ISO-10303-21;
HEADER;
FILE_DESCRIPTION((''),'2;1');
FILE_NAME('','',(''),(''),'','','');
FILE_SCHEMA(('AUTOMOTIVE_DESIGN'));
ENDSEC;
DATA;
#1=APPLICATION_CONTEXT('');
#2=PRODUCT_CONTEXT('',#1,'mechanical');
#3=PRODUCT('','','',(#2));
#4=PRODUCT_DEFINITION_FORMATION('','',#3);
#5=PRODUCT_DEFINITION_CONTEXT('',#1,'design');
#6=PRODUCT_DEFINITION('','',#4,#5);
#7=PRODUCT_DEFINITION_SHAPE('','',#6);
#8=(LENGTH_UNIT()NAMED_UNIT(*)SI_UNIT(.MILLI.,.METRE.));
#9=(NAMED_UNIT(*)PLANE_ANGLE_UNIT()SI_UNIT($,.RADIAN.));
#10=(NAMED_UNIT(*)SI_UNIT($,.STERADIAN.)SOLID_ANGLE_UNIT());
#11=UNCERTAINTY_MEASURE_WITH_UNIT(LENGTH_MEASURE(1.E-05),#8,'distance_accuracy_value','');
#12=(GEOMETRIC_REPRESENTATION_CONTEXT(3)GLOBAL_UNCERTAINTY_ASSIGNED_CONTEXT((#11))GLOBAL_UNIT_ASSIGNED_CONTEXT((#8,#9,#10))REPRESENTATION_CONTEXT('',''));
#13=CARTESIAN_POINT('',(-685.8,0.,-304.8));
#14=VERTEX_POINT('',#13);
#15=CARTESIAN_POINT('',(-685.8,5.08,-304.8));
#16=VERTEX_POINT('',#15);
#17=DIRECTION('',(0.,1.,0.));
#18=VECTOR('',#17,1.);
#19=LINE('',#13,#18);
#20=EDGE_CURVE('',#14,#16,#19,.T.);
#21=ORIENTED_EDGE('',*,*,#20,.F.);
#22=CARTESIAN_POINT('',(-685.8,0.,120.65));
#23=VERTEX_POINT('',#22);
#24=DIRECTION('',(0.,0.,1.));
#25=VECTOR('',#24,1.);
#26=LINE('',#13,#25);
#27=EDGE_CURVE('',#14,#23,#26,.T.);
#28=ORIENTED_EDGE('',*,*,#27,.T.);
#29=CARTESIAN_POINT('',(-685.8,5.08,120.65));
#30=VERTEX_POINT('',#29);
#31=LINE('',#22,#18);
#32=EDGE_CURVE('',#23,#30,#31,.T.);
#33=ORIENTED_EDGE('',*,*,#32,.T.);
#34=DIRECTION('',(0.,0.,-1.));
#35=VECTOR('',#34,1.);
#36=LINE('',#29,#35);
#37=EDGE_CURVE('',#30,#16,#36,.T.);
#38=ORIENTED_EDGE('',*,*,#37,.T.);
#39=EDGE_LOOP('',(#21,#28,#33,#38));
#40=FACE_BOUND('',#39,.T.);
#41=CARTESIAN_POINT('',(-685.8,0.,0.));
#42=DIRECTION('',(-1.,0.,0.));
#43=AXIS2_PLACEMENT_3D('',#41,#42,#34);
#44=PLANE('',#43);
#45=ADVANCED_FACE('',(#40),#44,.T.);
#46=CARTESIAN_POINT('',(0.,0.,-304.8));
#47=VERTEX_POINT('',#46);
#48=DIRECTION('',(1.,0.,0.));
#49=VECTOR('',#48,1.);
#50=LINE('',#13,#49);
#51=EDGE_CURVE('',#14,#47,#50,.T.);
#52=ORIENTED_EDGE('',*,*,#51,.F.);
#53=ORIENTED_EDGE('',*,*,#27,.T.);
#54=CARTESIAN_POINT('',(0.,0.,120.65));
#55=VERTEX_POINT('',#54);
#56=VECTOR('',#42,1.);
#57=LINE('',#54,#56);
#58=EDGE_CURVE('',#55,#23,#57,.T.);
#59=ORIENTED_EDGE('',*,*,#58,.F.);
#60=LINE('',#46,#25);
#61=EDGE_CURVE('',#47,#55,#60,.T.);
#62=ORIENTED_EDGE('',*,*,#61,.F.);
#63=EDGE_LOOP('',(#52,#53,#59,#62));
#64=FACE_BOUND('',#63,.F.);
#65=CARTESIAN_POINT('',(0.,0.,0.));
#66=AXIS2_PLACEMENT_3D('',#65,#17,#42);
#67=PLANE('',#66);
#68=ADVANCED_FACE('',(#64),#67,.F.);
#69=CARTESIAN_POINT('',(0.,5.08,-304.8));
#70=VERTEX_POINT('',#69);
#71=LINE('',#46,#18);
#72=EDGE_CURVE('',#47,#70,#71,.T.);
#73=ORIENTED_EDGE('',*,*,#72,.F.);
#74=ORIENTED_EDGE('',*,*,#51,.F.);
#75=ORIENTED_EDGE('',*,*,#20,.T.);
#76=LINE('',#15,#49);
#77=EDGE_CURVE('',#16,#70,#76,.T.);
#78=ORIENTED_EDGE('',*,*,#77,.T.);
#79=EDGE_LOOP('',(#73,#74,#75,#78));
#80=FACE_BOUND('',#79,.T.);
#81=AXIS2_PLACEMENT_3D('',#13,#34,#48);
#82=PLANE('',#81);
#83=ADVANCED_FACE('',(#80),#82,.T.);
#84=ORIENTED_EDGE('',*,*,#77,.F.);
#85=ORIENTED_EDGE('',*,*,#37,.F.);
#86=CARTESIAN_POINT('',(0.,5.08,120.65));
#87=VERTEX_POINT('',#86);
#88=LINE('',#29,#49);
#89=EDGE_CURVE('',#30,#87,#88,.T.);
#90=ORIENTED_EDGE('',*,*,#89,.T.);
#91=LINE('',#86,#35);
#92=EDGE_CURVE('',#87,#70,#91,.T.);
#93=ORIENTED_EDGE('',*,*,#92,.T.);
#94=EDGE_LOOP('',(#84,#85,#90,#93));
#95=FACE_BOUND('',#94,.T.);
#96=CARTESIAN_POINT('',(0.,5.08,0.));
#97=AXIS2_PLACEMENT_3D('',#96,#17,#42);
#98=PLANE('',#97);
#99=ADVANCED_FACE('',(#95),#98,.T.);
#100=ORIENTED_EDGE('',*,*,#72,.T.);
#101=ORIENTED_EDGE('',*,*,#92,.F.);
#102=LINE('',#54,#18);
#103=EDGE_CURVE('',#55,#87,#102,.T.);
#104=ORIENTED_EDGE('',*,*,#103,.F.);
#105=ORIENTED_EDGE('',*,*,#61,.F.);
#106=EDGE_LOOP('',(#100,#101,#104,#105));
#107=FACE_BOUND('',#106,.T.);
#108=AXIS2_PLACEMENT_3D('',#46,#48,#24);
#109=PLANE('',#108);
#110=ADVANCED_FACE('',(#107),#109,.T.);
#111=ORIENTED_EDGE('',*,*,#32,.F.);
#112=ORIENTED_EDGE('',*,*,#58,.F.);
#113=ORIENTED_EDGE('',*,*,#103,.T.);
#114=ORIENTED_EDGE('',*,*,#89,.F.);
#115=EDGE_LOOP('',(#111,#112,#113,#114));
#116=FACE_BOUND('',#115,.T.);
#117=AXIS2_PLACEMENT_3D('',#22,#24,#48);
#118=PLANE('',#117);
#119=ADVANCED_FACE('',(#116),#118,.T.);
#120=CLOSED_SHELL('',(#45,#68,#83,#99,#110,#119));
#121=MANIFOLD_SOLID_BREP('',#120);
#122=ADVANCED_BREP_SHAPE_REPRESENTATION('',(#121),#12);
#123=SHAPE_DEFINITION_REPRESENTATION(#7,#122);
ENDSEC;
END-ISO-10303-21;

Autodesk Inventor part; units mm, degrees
ref_plane "YZ Plane" through (0, 0, 0) normal (1, 0, 0) x (0, 1, 0)
ref_plane "XZ Plane" through (0, 0, 0) normal (0, 1, 0) x (-1, 0, 0)
ref_plane "XY Plane" through (0, 0, 0) normal (0, 0, 1) x (1, 0, 0)
sketch "Sketch1" plane through (0, 0, 0) normal (0, 1, 0) x (-1, 0, 0)
  line L0 (0, 0) -> (685.8, 0)
  line L1 (685.8, 0) -> (685.8, -304.8)
  line L2 (685.8, -304.8) -> (0, -304.8)
  line L3 (0, -304.8) -> (0, 0)
  line L4 (685.8, 0) -> (0, 0)
  line L5 (0, 0) -> (0, 120.65)
  line L6 (0, 120.65) -> (685.8, 120.65)
  line L7 (685.8, 120.65) -> (685.8, 0)
  dimension "d0" = 685.8
  dimension "d1" = 304.8
  dimension "d4" = 120.65
extrude "Extrusion1" add sketch "Sketch1" along normal blind 5.08 contours L0 L1 L2 L3
sketch "Sketch2" plane through (-685.8, 0, 0) normal (0, 0, 1) x (1, 0, 0)
  line L0 (685.8, 0) -> (0, 0) projected
  line L1 (685.8, 0) -> (685.8, 5.08) projected
  line L2 (0, 5.08) -> (685.8, 5.08) projected
  line L3 (0, 0) -> (0, 5.08) projected
extrude "Extrusion2" add sketch "Sketch2" along normal blind 120.65
sketch "Sketch3" plane through (0, 5.08, 0) normal (0, 1, 0) x (1, 0, 0)
  point P0 (0, 0)
properties part number "cart_woodpanel-back" material "Wood (Birch)"
